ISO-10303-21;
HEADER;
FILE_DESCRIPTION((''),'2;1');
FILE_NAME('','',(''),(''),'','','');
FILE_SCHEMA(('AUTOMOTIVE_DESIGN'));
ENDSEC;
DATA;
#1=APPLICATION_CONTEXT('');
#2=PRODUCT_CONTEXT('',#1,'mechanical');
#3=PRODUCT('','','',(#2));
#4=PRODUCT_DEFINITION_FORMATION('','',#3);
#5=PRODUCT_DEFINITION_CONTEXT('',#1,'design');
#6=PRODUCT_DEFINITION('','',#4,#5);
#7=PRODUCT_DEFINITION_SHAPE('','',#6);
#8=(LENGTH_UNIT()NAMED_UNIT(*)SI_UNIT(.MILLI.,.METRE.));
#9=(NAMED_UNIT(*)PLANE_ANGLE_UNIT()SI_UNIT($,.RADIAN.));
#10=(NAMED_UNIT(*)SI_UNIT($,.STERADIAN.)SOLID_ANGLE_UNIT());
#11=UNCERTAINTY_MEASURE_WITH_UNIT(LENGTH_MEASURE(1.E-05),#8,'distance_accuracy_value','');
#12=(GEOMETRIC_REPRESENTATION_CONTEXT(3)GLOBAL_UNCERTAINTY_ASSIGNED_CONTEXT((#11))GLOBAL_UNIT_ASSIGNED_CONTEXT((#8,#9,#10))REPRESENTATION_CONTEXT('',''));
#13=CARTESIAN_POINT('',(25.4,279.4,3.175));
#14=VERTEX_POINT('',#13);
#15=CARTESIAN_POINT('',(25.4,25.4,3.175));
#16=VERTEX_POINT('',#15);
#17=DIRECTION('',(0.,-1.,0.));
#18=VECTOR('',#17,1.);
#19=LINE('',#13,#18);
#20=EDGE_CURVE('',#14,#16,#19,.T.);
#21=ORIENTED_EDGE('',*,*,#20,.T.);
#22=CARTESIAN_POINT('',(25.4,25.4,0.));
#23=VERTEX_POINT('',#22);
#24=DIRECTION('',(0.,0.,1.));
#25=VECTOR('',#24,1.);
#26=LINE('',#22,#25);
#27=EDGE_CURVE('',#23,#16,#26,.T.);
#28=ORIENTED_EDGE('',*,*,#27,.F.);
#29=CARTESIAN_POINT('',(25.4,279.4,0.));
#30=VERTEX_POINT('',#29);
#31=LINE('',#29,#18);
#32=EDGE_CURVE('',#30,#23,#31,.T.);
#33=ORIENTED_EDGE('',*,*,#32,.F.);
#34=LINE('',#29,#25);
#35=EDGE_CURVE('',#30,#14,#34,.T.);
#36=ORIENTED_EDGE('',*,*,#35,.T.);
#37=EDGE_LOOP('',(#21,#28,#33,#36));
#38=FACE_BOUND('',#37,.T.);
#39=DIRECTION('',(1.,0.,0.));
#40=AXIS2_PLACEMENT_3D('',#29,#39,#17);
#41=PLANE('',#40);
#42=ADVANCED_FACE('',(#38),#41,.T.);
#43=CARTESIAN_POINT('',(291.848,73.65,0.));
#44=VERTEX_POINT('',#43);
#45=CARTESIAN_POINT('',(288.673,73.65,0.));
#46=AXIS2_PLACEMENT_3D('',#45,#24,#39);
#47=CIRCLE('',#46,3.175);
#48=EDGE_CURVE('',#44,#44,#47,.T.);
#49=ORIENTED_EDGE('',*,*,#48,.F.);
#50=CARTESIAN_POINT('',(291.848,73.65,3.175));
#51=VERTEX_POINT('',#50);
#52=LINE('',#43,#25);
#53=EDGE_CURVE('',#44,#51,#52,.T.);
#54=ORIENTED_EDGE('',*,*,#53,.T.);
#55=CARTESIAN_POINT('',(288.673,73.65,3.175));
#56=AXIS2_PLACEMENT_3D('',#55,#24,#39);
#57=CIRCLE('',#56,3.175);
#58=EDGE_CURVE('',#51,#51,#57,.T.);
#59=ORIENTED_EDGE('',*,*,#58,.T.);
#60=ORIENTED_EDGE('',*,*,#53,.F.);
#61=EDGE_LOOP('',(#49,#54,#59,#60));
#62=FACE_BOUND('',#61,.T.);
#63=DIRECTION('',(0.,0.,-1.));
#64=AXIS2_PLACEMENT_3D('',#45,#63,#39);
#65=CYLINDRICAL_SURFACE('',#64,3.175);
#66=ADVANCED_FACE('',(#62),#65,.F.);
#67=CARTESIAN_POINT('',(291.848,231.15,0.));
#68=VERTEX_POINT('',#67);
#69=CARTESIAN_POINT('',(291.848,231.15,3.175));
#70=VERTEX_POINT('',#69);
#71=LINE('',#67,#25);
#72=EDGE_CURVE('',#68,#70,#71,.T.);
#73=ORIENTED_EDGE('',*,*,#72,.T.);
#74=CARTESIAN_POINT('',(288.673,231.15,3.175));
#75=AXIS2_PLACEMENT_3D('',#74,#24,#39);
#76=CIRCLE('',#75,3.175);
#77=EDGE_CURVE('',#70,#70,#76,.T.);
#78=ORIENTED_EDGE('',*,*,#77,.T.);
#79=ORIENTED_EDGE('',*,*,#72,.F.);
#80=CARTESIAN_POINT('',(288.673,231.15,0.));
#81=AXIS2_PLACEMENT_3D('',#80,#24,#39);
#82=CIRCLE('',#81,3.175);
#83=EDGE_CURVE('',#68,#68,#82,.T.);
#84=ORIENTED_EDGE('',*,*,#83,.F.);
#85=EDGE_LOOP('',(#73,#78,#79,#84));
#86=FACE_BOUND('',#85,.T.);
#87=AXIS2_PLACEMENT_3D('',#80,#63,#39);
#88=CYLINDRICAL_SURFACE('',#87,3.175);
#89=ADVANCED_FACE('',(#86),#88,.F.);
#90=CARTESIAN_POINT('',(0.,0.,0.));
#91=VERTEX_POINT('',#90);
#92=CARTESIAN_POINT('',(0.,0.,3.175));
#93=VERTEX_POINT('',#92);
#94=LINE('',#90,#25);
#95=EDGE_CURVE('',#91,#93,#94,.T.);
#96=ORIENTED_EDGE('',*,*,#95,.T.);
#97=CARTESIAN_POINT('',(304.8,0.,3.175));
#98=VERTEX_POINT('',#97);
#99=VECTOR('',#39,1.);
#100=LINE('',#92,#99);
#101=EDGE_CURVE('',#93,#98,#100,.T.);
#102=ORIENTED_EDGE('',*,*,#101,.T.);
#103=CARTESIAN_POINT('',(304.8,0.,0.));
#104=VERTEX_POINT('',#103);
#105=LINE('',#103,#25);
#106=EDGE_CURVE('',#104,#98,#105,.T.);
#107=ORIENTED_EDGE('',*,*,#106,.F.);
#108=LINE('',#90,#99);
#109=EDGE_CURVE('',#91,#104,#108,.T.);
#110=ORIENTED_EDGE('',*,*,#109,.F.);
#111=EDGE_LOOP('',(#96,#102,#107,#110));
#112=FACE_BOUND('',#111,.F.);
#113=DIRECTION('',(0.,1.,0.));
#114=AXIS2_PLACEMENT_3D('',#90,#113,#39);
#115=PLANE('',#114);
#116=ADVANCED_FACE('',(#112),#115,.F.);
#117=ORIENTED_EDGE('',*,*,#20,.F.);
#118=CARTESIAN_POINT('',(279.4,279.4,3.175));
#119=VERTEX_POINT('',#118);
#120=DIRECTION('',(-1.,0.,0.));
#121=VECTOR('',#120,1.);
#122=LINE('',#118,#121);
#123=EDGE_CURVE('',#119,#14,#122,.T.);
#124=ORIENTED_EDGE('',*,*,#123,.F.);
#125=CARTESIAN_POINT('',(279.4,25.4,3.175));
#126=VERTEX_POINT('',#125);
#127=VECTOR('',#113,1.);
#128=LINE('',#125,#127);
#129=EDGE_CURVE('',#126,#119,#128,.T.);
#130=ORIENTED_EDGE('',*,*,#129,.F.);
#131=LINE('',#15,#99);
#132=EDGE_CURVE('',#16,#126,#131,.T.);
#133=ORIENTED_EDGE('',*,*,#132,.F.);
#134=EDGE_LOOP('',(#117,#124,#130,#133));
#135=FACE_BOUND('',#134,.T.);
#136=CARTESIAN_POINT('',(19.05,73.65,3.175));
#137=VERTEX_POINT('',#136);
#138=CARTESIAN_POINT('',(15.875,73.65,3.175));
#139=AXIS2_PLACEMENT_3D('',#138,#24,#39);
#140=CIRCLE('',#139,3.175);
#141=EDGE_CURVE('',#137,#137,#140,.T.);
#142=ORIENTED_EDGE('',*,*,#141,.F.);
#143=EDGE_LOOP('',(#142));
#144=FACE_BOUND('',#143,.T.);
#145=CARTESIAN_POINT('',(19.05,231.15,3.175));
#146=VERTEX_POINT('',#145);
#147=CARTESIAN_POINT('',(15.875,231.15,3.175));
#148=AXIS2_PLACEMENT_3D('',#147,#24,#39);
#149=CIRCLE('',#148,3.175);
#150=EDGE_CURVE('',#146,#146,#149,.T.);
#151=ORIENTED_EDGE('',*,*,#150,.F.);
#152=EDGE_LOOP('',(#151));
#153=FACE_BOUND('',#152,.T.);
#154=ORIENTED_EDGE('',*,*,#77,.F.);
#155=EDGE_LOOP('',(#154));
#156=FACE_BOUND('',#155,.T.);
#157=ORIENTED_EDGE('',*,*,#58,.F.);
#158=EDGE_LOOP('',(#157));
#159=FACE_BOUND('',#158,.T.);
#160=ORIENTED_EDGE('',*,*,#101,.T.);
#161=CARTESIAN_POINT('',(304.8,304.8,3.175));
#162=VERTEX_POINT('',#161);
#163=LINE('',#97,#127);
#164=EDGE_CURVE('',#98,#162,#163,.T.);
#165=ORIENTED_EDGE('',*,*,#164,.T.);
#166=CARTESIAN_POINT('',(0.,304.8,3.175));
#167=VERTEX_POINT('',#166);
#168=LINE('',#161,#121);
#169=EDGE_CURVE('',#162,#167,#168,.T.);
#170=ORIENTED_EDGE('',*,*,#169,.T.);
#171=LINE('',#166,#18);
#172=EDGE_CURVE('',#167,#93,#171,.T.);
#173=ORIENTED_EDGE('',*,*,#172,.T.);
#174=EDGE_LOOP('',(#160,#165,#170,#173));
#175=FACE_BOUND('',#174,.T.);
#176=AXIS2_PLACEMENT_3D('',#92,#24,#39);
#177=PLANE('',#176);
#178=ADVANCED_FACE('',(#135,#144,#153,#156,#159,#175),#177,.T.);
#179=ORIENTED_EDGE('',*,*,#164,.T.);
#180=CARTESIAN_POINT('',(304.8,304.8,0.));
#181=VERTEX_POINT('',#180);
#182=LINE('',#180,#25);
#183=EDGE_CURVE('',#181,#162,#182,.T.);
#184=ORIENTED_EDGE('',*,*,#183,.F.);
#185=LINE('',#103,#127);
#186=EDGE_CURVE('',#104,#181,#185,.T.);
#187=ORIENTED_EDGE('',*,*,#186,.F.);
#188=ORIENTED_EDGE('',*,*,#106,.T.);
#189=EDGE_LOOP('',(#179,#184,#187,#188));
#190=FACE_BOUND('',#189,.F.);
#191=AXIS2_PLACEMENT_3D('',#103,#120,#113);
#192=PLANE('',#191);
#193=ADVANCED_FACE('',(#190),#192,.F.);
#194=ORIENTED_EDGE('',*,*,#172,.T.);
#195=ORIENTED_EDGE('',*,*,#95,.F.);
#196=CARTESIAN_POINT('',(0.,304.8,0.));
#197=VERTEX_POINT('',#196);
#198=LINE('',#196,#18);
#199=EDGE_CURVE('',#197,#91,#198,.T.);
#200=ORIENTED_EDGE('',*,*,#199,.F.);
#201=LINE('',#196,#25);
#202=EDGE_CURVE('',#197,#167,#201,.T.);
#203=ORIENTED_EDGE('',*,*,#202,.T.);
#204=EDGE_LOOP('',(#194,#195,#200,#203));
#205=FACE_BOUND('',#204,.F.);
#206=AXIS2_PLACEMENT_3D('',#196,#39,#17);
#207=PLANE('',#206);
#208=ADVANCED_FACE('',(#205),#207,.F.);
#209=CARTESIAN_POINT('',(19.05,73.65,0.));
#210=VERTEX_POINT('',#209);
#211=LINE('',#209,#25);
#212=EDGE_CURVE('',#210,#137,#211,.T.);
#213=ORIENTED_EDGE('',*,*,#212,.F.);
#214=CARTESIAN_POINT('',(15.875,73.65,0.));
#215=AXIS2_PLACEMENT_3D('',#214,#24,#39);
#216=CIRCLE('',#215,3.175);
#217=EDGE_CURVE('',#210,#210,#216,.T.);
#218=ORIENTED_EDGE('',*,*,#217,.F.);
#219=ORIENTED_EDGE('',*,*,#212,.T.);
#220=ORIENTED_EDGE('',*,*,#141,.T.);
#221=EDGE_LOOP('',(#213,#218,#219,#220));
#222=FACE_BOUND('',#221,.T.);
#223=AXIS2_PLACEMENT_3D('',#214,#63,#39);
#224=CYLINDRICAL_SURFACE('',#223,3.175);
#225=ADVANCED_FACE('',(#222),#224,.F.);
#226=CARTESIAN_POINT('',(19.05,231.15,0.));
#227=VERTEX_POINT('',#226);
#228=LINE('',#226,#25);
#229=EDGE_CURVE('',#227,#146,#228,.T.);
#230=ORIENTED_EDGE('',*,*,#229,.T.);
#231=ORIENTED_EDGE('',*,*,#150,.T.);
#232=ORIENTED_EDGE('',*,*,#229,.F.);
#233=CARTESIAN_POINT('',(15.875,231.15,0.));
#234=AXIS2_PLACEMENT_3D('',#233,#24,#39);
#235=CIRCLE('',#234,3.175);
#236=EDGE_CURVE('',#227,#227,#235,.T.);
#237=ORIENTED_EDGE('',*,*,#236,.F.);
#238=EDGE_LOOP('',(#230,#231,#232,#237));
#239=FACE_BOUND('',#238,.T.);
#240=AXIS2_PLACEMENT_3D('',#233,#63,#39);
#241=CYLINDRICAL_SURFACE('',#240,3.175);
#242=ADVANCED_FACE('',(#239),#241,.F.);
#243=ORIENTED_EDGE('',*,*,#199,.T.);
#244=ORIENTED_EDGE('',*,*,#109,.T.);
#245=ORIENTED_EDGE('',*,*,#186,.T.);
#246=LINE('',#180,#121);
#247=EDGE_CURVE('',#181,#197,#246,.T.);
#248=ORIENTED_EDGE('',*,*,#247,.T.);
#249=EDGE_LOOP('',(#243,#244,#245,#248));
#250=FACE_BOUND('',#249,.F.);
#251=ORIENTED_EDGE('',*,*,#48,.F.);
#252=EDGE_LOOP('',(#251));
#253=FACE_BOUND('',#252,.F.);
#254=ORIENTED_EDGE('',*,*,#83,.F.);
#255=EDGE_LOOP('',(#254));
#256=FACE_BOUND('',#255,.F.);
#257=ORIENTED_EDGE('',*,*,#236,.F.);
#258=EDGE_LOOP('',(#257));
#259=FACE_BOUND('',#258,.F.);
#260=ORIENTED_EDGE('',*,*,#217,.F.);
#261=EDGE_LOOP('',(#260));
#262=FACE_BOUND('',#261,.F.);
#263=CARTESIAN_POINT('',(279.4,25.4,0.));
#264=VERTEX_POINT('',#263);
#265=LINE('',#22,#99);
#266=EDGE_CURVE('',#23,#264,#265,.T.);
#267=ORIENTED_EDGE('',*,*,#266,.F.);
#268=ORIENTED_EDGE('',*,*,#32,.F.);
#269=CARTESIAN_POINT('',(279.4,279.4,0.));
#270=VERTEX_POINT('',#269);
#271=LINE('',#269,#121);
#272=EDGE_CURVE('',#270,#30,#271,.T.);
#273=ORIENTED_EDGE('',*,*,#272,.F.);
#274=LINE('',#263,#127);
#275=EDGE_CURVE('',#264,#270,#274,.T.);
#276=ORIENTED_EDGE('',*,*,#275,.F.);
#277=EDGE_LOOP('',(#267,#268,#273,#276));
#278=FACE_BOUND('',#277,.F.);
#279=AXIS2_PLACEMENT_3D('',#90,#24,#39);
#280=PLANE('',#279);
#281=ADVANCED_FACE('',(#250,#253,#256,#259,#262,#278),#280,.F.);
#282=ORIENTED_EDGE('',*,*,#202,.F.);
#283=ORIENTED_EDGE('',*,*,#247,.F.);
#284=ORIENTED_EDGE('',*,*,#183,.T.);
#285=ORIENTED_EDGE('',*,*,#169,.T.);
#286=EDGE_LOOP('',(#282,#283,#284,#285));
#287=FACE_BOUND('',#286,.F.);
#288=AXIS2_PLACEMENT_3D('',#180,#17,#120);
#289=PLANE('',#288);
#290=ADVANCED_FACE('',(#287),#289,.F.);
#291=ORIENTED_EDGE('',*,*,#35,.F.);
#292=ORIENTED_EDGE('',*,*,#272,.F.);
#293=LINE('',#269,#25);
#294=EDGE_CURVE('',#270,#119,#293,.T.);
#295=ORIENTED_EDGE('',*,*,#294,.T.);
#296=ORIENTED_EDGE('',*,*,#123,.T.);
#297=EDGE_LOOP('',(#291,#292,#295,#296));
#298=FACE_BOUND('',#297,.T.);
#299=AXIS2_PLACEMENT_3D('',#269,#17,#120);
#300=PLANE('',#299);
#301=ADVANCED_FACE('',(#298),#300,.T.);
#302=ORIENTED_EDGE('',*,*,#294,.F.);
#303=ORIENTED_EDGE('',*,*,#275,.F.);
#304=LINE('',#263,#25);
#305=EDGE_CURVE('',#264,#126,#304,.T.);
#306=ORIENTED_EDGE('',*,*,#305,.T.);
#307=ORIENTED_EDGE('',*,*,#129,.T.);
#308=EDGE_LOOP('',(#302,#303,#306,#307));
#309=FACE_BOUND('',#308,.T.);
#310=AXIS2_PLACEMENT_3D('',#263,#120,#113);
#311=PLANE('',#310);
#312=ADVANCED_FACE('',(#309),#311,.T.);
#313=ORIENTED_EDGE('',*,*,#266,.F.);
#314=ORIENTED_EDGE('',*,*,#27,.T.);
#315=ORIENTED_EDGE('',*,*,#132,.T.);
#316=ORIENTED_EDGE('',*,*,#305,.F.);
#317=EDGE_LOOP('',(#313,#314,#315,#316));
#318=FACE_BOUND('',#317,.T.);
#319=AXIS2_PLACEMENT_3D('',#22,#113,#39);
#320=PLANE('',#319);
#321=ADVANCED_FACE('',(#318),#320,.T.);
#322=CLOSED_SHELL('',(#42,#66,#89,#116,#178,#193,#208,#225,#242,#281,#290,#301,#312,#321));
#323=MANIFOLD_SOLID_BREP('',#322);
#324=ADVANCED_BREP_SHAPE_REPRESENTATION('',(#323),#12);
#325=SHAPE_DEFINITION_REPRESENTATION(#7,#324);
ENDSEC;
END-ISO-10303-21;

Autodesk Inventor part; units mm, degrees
ref_plane "YZ Plane" through (0, 0, 0) normal (1, 0, 0) x (0, 1, 0)
ref_plane "XZ Plane" through (0, 0, 0) normal (0, 1, 0) x (-1, 0, 0)
ref_plane "XY Plane" through (0, 0, 0) normal (0, 0, 1) x (1, 0, 0)
sketch "Sketch1" plane through (0, 0, 0) normal (0, 0, 1) x (1, 0, 0)
  line L0 (0, 0) -> (304.8, 0)
  line L1 (304.8, 0) -> (304.8, 304.8)
  line L2 (304.8, 304.8) -> (0, 304.8)
  line L3 (0, 304.8) -> (0, 0)
  line L4 (25.4, 25.4) -> (279.4, 25.4)
  line L5 (279.4, 25.4) -> (279.4, 279.4)
  line L6 (279.4, 279.4) -> (25.4, 279.4)
  line L7 (25.4, 279.4) -> (25.4, 25.4)
  circle A0 centre (15.875, 231.15) radius 3.175
  circle A1 centre (288.673, 231.15) radius 3.175
  circle A2 centre (15.875, 73.65) radius 3.175
  circle A3 centre (288.673, 73.65) radius 3.175
  dimension "d0" = 304.8
  dimension "d1" = 304.8
  dimension "d2" = 254
  dimension "d3" = 254
  dimension "d4" = 25.4
  dimension "d5" = 25.4
  dimension "d8" = 6.35
  dimension "d9" = 73.65
  dimension "d10" = 15.875
  dimension "d13" = 272.798
  dimension "d16" = 157.5
extrude "Extrusion1" add sketch "Sketch1" along normal blind 3.175
properties part number "TurretBasePlate"
